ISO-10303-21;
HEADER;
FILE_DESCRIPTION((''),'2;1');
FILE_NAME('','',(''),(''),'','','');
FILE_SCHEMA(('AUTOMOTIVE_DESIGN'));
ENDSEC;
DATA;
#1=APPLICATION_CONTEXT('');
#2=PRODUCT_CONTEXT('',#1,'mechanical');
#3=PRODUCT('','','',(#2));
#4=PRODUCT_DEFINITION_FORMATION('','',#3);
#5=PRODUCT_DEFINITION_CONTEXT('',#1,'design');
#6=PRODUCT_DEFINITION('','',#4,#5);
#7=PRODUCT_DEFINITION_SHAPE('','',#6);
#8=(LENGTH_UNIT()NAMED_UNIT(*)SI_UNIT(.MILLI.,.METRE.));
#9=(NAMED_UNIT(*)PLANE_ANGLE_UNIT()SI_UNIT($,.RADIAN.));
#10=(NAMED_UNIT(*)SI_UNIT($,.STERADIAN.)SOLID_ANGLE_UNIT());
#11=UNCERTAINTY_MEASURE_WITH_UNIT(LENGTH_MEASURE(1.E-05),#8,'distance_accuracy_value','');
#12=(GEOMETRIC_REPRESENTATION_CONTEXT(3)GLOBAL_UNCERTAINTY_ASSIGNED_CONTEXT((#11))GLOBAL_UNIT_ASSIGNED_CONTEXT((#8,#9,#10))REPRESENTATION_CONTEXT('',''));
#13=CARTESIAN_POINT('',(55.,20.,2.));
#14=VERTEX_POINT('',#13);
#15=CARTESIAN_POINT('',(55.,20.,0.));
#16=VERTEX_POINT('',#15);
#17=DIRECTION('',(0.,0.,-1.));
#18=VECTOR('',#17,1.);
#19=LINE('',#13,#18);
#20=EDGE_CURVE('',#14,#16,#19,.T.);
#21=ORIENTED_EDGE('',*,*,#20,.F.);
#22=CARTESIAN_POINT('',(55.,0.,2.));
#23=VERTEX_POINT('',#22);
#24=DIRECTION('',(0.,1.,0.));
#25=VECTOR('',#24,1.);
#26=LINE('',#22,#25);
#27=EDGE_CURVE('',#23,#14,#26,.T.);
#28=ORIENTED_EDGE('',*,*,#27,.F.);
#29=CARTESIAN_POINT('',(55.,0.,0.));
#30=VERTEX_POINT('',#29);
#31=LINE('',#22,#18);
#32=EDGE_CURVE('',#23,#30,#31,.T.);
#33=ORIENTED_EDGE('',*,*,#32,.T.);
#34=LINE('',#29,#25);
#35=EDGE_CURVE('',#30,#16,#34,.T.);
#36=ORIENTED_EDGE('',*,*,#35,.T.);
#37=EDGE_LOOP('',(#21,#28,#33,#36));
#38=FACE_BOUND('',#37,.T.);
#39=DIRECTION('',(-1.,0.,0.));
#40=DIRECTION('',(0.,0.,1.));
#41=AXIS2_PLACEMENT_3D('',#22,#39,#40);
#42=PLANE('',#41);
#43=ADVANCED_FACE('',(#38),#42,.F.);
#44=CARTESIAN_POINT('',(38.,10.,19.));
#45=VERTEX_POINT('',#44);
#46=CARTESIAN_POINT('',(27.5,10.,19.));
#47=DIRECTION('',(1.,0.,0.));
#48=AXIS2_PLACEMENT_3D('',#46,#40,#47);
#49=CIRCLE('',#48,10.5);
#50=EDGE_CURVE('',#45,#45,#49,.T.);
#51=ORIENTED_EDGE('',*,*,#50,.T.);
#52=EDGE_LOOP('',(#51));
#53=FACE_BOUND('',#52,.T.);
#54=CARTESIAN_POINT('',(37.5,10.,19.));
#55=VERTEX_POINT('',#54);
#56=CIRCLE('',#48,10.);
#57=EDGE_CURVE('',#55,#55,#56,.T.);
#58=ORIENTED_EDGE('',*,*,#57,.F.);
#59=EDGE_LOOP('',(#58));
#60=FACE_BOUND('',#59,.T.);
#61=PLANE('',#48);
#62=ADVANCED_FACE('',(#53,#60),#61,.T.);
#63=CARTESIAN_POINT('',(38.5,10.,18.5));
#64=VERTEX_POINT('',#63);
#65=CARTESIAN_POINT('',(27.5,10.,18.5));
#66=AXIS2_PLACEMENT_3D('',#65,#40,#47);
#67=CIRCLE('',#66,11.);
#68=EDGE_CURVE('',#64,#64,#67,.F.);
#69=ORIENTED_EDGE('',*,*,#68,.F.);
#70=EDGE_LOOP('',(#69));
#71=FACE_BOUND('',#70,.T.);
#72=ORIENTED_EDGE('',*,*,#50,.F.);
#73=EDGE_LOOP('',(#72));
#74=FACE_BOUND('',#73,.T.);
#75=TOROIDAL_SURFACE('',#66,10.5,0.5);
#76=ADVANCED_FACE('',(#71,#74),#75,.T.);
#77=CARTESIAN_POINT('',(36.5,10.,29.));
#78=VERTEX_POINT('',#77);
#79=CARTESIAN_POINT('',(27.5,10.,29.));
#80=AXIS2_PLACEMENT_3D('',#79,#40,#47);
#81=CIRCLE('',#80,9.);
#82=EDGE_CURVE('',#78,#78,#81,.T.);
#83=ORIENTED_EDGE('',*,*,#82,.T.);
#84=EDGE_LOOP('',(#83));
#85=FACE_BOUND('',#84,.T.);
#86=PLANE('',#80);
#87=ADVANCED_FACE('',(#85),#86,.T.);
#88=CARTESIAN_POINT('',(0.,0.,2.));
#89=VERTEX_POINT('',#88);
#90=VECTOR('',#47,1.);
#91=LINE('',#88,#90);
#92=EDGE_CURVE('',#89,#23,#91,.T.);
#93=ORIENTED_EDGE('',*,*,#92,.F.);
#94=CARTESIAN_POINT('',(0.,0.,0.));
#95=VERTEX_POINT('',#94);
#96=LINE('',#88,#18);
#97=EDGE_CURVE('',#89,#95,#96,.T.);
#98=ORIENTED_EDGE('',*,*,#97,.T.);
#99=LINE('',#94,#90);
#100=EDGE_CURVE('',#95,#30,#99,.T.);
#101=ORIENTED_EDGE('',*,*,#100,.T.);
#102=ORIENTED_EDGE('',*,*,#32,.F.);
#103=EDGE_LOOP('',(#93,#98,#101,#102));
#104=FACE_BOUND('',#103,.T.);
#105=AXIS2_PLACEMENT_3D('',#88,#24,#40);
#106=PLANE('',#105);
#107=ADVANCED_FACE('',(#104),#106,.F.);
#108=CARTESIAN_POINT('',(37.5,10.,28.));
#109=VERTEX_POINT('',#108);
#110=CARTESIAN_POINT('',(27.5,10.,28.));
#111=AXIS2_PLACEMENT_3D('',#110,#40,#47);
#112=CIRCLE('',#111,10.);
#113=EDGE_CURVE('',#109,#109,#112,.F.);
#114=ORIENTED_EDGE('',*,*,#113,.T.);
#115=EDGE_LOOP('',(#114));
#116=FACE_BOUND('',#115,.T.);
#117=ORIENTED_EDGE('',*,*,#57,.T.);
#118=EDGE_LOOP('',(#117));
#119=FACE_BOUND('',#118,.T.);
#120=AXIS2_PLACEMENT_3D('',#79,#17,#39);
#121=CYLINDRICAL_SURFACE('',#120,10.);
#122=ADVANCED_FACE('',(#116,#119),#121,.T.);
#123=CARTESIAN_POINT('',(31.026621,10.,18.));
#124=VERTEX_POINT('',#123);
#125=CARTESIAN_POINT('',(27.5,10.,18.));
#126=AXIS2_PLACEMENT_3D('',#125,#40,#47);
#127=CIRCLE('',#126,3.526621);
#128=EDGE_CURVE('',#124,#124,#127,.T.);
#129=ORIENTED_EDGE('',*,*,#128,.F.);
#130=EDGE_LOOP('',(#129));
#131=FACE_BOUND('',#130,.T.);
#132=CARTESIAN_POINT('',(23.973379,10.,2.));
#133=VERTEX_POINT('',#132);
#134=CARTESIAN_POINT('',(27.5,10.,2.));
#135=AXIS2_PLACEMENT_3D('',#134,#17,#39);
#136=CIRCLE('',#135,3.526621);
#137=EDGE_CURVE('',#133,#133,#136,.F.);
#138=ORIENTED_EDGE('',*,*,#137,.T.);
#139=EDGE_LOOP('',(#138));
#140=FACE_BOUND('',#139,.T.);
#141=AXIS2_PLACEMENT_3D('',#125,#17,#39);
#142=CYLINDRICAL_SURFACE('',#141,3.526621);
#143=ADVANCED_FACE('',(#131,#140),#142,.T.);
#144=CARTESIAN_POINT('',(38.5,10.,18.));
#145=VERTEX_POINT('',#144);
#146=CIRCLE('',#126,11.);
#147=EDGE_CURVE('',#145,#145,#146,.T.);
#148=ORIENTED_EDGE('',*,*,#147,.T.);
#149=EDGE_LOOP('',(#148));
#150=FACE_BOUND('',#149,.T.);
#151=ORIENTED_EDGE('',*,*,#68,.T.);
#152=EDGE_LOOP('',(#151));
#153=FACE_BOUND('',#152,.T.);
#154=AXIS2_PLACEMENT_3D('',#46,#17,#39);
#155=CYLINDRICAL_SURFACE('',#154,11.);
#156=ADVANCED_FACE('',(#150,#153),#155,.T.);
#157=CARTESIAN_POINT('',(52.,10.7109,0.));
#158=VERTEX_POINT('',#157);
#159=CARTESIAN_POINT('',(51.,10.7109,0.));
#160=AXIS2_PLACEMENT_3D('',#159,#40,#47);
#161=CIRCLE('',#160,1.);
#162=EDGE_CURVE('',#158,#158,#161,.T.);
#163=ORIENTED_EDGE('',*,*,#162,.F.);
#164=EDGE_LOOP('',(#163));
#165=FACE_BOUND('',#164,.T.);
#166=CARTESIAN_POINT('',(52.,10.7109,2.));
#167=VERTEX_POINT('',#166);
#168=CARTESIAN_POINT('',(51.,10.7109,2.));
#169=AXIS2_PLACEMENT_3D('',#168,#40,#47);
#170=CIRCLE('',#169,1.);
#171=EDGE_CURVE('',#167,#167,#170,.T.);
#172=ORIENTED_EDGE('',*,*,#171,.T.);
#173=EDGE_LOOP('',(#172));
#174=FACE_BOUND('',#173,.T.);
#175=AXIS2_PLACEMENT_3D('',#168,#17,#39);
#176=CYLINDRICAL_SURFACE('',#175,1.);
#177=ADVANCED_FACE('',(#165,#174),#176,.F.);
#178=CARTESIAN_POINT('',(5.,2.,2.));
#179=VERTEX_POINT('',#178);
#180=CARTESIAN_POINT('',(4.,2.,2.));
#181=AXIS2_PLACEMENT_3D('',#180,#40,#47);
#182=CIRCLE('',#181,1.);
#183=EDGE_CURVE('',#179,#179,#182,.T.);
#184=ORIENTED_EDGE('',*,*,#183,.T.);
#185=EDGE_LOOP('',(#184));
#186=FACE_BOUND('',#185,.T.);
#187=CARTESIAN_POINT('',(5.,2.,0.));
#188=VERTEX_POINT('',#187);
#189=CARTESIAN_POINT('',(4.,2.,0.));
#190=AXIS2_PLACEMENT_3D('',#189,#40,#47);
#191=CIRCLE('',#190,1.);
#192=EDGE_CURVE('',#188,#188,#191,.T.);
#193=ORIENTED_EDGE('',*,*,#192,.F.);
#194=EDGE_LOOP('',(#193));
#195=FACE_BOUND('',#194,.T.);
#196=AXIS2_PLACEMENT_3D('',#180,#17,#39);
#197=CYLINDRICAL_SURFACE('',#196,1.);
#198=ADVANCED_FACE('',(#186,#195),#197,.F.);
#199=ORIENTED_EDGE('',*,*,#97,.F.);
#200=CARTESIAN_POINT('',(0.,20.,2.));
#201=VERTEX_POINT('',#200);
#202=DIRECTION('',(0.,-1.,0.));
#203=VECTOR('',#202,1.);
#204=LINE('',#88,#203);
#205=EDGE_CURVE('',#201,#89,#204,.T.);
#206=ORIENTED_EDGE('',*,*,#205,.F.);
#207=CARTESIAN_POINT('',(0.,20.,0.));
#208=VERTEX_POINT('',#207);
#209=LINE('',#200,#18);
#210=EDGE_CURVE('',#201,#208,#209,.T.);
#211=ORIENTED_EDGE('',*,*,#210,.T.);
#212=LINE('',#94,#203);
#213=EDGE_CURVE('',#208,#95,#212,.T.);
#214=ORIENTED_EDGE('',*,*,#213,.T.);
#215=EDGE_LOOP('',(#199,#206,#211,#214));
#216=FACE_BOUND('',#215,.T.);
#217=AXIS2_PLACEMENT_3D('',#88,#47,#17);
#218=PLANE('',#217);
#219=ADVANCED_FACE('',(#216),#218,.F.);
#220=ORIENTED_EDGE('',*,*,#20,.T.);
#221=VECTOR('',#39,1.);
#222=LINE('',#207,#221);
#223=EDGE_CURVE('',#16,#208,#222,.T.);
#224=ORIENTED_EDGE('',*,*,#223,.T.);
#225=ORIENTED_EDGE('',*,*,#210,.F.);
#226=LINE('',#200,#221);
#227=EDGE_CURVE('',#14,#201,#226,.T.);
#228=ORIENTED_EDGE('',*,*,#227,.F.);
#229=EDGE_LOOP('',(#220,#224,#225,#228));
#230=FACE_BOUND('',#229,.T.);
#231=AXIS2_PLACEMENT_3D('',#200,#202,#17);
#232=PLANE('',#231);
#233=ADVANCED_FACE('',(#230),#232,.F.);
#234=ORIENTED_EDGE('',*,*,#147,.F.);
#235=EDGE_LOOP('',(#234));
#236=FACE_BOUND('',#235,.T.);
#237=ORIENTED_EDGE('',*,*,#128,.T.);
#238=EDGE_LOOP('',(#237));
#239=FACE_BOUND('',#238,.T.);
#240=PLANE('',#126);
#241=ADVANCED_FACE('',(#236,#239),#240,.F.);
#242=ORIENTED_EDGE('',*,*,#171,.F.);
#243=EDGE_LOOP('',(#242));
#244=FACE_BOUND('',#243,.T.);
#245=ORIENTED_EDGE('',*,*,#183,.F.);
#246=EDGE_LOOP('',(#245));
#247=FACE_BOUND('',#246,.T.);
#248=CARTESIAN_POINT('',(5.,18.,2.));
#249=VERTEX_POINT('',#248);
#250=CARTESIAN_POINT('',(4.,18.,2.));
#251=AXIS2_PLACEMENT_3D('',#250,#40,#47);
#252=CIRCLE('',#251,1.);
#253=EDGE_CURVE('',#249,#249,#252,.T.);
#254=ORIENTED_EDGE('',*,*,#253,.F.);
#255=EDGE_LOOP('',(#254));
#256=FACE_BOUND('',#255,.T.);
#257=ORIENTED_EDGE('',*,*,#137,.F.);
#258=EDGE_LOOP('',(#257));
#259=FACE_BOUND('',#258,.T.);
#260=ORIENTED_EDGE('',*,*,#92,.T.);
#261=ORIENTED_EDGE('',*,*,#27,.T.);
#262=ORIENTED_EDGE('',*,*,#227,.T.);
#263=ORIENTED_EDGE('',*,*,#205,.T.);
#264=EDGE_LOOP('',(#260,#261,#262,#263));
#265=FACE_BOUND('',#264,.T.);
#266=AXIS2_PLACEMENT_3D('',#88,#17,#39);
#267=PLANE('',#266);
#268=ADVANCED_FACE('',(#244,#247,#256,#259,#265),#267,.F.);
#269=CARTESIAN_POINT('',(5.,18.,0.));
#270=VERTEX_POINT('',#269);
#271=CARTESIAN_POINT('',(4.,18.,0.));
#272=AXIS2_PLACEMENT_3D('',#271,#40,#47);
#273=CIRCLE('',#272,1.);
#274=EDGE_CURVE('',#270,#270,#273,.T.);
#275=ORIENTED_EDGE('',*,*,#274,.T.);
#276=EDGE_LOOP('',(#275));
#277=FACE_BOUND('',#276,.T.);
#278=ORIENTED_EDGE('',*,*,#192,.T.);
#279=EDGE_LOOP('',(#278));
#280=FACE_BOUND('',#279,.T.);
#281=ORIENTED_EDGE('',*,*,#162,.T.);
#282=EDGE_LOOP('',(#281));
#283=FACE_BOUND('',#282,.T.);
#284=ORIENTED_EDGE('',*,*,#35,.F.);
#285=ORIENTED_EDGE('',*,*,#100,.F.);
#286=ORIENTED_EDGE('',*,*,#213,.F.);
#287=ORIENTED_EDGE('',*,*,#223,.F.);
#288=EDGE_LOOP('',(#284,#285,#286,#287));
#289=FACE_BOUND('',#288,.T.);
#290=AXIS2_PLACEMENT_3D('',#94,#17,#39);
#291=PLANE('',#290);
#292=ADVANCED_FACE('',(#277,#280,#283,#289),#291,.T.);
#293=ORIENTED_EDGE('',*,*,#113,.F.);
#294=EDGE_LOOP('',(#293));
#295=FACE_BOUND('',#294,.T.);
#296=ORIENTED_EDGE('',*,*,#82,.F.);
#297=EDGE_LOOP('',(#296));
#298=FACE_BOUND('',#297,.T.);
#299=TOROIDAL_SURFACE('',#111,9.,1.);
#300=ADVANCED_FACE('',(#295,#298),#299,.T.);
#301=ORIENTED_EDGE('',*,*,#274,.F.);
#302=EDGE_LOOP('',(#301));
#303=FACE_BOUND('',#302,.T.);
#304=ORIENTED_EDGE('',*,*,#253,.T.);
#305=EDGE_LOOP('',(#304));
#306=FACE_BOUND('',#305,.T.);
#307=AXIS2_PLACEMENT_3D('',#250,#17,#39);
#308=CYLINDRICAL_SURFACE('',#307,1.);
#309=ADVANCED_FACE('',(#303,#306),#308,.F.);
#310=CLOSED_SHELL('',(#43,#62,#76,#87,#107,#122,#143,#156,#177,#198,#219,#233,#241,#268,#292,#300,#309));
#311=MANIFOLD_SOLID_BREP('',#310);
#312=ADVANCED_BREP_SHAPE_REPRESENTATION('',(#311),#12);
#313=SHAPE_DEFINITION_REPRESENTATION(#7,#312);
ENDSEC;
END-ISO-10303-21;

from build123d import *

# Parameters (mm, degrees)
SKETCH1_W           = 55
SKETCH1_H           = 20
SKETCH1_R           = 1
BOSS_EXTRUDE1_DEPTH = 2
SKETCH2_R           = 3.526621479
BOSS_EXTRUDE2_DEPTH = 16
SKETCH3_R           = 11
BOSS_EXTRUDE3_DEPTH = 1
SKETCH5_R           = 10
BOSS_EXTRUDE4_DEPTH = 10
FILLET1_R           = 1
FILLET2_R           = 0.5


with BuildPart() as part:
    # Sketch1 → Boss-Extrude1 (new body)
    with BuildSketch(Plane.XY):
        with Locations((27.5, 10)):
            Rectangle(SKETCH1_W, SKETCH1_H)
        with Locations((4, 18)):
            Circle(SKETCH1_R, mode=Mode.SUBTRACT)
        with Locations((4, 2)):
            Circle(SKETCH1_R, mode=Mode.SUBTRACT)
        with Locations((51, 10.710900474)):
            Circle(SKETCH1_R, mode=Mode.SUBTRACT)
    extrude(amount=BOSS_EXTRUDE1_DEPTH)

    # Sketch2 → Boss-Extrude2 (add)
    with BuildSketch(Plane.XY.offset(2)):
        with Locations((27.5, 10)):
            Circle(SKETCH2_R)
    extrude(amount=BOSS_EXTRUDE2_DEPTH)

    # Sketch3 → Boss-Extrude3 (add)
    with BuildSketch(Plane.XY.offset(18)):
        with Locations((27.5, 10)):
            Circle(SKETCH3_R)
    extrude(amount=BOSS_EXTRUDE3_DEPTH)

    # Sketch5 → Boss-Extrude4 (add)
    with BuildSketch(Plane.XY.offset(19)):
        with Locations((27.5, 10)):
            Circle(SKETCH5_R)
    extrude(amount=BOSS_EXTRUDE4_DEPTH)

    # Fillet1
    fillet1_edges = [part.edges().sort_by_distance(p)[0] for p in [
        (17.5, 10, 29),
    ]]
    fillet(fillet1_edges, radius=FILLET1_R)

    # Fillet2
    fillet2_edges = [part.edges().sort_by_distance(p)[0] for p in [
        (16.5, 10, 19),
    ]]
    fillet(fillet2_edges, radius=FILLET2_R)


solid = part.part
